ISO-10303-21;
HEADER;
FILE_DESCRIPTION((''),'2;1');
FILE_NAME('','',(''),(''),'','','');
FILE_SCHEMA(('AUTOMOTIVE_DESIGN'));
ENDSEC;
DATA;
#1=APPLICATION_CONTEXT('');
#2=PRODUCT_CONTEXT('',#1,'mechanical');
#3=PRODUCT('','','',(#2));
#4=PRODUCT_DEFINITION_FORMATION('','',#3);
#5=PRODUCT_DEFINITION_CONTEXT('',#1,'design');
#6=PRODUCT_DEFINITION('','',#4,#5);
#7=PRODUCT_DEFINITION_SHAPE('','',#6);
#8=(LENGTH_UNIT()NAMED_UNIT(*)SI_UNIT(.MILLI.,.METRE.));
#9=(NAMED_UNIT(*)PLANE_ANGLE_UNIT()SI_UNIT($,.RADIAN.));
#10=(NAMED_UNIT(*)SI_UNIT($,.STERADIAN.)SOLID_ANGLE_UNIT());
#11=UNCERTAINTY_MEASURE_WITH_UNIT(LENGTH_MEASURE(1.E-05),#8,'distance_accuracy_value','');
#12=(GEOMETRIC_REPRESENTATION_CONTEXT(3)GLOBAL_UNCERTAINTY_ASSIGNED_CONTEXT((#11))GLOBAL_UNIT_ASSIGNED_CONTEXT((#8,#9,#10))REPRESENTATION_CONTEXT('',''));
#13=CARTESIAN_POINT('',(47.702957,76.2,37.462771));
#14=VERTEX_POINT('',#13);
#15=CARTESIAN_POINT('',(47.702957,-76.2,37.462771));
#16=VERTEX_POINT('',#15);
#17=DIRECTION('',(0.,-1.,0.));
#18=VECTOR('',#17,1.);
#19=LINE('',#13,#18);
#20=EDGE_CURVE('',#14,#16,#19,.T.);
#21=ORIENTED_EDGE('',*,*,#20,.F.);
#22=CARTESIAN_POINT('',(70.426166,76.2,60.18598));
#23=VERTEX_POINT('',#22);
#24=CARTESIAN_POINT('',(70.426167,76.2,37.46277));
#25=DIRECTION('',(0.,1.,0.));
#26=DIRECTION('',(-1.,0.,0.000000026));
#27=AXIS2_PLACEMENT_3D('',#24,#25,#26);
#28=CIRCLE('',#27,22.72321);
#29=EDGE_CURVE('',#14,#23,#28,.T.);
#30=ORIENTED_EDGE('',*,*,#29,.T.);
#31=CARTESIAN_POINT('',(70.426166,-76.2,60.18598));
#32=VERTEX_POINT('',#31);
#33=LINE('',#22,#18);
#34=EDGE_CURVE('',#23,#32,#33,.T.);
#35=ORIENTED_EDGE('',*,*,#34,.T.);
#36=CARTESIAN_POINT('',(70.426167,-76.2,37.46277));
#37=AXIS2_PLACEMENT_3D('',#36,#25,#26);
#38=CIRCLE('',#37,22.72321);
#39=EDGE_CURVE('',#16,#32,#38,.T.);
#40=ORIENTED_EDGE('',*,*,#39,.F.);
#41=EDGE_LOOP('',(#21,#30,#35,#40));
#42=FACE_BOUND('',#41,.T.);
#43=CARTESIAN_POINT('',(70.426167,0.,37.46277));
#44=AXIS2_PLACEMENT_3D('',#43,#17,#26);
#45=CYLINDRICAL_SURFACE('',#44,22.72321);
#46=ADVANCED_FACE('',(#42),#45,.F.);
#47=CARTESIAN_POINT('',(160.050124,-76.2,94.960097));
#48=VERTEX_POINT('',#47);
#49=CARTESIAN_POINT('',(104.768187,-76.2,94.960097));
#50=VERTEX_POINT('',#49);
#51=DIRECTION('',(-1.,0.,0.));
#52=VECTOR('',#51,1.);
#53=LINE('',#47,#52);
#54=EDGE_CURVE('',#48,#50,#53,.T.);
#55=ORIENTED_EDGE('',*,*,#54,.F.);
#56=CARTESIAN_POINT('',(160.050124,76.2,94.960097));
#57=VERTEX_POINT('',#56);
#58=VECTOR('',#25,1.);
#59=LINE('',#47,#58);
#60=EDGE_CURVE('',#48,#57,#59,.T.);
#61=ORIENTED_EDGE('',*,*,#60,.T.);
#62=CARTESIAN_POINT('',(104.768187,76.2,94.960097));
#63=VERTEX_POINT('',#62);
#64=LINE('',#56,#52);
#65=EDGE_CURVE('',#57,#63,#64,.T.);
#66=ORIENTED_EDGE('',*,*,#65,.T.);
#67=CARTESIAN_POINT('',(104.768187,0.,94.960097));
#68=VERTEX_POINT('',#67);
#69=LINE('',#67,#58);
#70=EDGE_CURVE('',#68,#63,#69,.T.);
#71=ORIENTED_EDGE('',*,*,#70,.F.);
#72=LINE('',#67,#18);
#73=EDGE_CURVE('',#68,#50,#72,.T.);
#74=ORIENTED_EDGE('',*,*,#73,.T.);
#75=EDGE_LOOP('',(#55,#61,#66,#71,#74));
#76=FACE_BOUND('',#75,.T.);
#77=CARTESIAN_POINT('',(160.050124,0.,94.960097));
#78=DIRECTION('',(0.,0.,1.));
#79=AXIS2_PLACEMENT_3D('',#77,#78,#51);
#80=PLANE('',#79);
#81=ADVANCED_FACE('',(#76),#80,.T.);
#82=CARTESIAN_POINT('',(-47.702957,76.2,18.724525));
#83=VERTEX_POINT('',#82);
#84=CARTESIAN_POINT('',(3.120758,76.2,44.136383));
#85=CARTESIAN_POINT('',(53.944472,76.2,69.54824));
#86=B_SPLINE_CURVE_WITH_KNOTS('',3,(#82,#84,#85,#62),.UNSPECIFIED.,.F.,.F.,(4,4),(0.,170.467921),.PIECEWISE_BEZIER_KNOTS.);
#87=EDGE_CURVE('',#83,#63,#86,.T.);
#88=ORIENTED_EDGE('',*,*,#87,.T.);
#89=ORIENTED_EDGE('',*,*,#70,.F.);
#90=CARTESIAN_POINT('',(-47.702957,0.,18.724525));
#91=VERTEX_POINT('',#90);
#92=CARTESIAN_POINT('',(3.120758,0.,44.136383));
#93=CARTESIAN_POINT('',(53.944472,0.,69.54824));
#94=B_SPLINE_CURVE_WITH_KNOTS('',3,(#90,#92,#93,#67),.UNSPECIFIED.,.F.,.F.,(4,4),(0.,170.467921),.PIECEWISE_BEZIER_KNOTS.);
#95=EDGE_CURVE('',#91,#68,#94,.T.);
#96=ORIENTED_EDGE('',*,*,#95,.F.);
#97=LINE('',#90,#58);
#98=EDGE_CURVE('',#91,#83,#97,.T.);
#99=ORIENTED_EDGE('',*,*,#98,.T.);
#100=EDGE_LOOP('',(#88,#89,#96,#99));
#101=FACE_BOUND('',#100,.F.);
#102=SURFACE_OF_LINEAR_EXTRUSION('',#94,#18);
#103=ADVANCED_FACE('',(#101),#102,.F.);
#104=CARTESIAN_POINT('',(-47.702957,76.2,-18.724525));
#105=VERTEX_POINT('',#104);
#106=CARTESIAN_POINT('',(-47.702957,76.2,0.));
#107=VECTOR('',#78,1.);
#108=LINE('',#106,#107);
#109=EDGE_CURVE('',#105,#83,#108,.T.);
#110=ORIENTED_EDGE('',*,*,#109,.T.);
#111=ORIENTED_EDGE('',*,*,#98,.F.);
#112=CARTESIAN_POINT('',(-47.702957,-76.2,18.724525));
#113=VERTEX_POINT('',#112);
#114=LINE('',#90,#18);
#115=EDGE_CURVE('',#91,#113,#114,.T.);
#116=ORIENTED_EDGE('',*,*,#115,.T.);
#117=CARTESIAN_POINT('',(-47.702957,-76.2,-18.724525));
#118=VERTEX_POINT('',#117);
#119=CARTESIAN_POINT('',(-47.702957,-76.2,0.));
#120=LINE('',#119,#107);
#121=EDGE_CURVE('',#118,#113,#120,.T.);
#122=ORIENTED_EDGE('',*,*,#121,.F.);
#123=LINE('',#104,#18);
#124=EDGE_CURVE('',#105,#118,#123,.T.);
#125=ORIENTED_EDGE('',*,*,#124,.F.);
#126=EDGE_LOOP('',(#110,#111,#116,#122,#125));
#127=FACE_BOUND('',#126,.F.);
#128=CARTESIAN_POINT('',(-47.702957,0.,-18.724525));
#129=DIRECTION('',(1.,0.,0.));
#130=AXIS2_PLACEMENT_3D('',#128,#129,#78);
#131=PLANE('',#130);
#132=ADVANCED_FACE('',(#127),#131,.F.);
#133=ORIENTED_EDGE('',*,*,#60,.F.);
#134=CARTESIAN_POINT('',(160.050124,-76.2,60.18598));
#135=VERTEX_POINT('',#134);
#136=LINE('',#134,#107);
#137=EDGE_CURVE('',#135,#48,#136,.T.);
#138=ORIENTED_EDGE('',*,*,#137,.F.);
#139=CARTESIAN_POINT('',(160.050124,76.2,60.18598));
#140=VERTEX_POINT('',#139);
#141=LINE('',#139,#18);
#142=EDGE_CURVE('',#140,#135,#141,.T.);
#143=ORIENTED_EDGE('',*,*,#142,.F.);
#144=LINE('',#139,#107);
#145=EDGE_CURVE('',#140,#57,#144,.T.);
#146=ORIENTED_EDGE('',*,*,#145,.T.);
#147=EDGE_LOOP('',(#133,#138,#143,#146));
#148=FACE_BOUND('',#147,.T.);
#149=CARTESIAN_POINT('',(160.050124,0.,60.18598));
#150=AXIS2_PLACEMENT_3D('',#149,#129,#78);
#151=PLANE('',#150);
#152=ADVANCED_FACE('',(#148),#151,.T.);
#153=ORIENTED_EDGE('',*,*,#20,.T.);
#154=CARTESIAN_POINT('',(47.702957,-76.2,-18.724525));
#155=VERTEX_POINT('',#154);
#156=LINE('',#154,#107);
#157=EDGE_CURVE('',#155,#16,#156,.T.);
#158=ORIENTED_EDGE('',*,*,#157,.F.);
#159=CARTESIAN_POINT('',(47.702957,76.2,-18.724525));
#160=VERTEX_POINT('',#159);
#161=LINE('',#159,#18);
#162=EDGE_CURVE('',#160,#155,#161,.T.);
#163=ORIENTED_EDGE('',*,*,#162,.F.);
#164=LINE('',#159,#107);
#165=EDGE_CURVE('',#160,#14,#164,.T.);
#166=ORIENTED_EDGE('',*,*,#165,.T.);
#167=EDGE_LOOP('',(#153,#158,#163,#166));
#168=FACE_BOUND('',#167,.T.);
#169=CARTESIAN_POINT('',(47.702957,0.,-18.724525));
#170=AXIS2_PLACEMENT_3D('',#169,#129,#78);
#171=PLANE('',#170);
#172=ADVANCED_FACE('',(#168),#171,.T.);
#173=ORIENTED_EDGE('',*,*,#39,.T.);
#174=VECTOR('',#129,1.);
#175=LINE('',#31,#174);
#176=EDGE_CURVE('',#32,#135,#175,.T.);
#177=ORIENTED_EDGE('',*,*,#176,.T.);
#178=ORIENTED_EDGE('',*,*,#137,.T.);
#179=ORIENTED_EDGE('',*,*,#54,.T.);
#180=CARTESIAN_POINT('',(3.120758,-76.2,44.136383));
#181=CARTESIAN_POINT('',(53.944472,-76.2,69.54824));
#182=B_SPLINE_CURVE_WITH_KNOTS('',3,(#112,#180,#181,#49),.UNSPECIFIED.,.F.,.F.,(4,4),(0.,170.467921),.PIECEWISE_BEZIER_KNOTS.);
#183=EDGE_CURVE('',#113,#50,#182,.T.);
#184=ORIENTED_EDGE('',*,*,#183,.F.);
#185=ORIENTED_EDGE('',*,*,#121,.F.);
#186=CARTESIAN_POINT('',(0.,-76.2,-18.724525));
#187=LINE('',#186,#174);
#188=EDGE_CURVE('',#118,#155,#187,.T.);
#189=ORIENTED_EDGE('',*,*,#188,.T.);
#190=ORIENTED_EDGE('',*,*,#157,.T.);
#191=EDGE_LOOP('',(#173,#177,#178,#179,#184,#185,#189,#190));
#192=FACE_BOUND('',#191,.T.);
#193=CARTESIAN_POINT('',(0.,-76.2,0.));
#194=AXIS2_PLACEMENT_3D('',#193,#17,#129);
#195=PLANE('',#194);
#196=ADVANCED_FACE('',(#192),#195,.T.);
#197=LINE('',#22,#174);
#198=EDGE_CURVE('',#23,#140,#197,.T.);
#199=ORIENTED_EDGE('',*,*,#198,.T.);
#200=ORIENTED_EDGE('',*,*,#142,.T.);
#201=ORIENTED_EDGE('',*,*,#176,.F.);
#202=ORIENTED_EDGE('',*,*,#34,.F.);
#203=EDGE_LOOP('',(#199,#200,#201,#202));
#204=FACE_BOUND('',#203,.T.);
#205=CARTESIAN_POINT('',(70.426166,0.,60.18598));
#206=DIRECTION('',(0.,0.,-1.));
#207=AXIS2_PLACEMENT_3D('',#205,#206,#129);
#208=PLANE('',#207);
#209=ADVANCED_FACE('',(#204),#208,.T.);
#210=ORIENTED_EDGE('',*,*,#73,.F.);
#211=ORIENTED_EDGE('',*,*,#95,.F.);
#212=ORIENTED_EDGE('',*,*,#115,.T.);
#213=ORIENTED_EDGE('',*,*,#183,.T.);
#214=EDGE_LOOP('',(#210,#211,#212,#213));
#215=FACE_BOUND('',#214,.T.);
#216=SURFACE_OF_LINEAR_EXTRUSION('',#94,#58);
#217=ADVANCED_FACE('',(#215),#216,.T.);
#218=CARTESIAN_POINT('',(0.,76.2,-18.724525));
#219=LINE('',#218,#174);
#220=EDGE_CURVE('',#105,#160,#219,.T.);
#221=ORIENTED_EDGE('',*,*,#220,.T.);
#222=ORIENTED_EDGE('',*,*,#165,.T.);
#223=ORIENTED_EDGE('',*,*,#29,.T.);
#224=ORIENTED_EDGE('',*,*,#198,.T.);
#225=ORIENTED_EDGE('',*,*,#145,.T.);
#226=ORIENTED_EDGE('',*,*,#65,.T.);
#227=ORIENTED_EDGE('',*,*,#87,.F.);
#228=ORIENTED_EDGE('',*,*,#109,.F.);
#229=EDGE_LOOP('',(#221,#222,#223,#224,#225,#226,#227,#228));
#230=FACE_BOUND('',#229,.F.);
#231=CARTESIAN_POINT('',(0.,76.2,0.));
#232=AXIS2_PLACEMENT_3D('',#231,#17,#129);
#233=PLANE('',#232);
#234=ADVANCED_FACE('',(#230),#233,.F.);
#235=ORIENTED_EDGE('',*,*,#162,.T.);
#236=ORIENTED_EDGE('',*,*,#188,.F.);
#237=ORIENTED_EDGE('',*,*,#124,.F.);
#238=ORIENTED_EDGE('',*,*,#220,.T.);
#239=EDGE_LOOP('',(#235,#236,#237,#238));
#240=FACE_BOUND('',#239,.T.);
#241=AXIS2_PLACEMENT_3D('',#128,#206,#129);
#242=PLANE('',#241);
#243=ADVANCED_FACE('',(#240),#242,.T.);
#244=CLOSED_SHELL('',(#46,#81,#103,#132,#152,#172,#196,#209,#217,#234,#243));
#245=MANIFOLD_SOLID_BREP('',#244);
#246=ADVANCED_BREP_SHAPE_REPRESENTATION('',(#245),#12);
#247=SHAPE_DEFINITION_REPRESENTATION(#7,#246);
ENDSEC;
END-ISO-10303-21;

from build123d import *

# Parameters (mm, degrees)
F0_W     = 95.405914
F0_H     = 37.44905
F2_DEPTH = 76.2


with BuildPart() as f2:
    # F0 (on Front) → F2 (new body, symmetric)
    with BuildSketch(Plane.XZ):
        Rectangle(F0_W, F0_H)
        Polygon((160.050124, 94.960097), (104.768187, 94.960097), (104.768187, 60.18598), (115.467921, 60.18598), (160.050124, 60.18598), align=None)
        with BuildLine():
            Line((-47.702957, 18.724525), (47.702957, 18.724525))
            Line((47.702957, 18.724525), (47.702957, 37.462771))
            ThreePointArc((47.702957, 37.462771), (54.358431, 53.530506), (70.426166, 60.18598))
            Line((70.426166, 60.18598), (104.768187, 60.18598))
            Line((104.768187, 60.18598), (104.768187, 94.960097))
            add(Edge.make_bspline(
                [(-47.702957, 18.724525), (3.120758, 44.136383), (53.944472, 69.54824), (104.768187, 94.960097)],
                knots=[0, 0, 0, 0, 170.467921, 170.467921, 170.467921, 170.467921], degree=3))
        make_face()
    extrude(amount=F2_DEPTH, both=True)


solid = f2.part
